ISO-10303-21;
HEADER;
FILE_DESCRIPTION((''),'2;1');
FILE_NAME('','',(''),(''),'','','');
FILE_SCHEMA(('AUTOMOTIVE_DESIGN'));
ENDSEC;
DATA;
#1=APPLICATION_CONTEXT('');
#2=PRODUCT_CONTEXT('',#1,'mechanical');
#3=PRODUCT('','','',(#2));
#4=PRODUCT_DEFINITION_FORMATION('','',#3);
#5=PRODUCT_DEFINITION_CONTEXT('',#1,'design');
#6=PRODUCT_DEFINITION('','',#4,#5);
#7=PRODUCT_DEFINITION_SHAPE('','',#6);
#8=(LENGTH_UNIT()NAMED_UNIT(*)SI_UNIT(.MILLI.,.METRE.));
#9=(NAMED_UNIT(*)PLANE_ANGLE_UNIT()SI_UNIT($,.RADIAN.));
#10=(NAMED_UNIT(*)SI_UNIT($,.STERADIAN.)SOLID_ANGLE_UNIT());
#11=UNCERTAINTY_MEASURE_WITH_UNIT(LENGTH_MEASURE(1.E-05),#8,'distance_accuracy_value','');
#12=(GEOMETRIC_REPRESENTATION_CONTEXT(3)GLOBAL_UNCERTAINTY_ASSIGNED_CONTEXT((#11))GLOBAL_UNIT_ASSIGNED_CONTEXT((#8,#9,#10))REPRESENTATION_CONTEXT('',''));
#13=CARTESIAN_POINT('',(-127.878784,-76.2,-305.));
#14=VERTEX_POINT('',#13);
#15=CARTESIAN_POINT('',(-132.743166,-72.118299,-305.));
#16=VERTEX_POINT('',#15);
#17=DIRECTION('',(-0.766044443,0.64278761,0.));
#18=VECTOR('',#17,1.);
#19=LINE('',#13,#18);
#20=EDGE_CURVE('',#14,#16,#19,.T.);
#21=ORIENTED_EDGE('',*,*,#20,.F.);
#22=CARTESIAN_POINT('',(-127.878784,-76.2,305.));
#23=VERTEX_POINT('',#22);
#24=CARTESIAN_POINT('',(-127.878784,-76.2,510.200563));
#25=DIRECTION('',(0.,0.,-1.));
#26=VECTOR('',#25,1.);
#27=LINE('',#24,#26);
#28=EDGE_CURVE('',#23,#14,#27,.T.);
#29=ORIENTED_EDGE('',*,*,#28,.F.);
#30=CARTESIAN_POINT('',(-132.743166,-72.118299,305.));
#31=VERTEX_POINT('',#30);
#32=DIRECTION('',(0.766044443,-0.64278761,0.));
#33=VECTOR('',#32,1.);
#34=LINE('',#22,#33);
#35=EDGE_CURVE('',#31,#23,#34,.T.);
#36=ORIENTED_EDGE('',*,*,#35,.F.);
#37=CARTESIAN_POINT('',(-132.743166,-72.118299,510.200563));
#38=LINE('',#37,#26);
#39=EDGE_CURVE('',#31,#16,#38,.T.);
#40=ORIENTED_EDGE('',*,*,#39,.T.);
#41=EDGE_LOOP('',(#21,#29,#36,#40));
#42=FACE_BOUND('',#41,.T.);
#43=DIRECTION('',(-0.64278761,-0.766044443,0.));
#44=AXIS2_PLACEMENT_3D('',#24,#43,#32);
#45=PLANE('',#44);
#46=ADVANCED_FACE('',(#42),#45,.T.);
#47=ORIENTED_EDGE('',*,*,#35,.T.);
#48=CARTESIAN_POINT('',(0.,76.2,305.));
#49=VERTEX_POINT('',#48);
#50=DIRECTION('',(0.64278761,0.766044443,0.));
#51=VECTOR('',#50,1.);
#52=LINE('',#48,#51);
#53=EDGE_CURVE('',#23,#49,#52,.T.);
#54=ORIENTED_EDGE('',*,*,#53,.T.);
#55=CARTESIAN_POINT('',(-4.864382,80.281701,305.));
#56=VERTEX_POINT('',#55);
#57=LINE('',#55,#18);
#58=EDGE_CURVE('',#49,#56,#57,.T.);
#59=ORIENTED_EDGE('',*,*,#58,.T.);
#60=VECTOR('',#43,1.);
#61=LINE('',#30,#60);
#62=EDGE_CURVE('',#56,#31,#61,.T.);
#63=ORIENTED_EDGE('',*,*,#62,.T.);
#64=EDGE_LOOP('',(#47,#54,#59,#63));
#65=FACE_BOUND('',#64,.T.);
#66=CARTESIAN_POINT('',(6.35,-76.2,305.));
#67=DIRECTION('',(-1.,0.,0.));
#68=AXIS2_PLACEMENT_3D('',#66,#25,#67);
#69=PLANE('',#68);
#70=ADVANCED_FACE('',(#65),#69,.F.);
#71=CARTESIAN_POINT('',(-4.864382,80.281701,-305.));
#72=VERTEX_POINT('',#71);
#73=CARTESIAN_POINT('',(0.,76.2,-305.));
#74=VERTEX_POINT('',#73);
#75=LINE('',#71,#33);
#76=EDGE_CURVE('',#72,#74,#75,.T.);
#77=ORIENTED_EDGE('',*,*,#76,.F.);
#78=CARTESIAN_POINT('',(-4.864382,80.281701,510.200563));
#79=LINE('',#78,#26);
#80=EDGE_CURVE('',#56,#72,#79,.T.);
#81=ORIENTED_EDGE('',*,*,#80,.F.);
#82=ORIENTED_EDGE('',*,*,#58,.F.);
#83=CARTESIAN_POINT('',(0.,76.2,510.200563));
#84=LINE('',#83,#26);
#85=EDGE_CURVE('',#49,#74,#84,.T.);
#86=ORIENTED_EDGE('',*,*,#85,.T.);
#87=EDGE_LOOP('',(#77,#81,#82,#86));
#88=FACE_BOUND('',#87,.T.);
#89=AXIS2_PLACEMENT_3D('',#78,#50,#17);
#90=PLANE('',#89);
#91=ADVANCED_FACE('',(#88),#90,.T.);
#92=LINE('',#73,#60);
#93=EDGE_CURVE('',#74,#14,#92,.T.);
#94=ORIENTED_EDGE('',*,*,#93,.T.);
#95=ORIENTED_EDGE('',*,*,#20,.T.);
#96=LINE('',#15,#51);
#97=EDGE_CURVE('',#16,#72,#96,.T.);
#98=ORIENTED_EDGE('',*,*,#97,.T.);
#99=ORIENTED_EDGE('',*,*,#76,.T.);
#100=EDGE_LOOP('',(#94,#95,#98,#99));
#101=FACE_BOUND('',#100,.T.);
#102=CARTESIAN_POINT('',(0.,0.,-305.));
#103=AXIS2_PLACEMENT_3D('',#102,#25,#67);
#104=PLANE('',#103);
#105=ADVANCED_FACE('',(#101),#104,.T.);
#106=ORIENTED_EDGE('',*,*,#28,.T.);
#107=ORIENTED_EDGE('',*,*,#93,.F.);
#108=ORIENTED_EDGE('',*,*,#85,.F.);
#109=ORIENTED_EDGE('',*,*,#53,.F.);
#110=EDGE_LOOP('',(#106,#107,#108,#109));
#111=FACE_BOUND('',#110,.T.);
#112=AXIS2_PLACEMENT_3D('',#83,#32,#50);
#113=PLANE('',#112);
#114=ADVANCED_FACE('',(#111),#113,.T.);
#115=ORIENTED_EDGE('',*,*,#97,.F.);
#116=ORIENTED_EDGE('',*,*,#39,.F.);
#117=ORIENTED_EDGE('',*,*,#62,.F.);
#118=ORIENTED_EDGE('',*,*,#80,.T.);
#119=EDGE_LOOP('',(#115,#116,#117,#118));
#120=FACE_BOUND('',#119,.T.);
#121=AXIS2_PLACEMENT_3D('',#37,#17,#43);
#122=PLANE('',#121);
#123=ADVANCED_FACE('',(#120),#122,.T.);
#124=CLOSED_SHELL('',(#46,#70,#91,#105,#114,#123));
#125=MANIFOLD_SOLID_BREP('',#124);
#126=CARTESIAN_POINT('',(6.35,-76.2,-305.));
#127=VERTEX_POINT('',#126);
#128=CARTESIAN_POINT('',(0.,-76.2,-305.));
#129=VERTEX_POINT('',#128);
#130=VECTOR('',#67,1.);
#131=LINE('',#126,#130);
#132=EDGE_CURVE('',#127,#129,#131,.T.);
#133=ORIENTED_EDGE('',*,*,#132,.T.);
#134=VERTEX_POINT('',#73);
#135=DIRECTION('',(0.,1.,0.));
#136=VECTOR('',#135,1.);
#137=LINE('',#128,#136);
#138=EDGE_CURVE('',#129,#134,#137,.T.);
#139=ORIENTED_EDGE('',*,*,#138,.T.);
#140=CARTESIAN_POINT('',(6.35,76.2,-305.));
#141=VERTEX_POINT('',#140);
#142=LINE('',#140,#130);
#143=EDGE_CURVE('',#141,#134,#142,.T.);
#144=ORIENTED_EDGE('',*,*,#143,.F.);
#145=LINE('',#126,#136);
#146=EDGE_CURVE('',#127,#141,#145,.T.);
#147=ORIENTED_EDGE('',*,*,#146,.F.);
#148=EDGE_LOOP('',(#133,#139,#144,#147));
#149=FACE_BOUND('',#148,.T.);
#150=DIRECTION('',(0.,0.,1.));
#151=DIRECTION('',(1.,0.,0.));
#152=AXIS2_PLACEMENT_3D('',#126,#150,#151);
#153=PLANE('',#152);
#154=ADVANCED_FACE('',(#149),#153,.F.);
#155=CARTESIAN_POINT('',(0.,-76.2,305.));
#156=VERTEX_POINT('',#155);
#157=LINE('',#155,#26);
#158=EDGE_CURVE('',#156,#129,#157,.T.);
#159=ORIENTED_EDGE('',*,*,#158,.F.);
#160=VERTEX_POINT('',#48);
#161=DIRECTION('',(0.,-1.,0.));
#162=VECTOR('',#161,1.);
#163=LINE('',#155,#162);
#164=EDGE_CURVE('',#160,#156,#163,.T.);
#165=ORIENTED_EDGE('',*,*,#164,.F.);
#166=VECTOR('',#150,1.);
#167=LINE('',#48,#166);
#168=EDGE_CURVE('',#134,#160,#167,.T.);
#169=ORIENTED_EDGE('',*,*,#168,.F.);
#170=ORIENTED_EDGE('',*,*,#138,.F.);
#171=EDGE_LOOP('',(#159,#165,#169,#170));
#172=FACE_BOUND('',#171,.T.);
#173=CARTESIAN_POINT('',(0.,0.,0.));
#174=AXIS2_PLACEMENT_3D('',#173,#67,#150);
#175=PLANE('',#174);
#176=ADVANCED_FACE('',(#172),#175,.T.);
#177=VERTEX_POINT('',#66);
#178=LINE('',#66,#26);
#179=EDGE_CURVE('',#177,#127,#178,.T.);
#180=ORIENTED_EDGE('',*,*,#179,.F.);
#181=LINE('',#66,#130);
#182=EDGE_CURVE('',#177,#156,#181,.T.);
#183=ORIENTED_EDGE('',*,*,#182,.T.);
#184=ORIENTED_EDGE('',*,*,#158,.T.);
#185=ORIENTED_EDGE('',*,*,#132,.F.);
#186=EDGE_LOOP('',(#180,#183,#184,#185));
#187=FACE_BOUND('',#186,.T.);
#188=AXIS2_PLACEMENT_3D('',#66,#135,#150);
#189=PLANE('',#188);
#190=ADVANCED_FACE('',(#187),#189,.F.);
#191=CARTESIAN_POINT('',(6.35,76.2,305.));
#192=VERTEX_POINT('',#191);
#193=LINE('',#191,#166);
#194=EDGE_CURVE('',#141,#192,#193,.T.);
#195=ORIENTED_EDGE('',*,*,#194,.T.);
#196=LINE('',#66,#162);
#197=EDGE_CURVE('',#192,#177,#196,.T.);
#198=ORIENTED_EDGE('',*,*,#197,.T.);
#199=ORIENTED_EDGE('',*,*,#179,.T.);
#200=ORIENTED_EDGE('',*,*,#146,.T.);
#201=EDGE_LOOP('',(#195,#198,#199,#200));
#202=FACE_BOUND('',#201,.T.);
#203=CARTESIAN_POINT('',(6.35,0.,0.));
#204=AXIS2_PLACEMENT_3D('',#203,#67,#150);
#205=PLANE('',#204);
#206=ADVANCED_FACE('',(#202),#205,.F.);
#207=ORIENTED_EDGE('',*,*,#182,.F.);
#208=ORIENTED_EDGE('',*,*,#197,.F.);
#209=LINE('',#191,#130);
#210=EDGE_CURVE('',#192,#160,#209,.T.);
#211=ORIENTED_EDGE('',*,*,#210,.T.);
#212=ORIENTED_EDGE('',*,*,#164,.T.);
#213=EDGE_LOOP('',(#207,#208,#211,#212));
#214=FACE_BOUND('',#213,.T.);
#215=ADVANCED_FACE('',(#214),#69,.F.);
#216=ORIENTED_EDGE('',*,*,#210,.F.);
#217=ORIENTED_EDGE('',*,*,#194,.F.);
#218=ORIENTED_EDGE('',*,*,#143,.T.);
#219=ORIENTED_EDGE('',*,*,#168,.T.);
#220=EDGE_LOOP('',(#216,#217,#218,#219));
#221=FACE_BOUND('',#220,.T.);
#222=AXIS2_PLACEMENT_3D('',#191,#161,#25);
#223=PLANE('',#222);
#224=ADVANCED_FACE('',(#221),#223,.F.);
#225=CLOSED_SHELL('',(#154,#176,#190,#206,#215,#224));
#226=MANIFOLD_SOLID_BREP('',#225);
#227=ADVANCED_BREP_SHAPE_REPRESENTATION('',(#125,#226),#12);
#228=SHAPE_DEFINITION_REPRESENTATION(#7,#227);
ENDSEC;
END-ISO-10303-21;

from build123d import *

# Parameters (mm, degrees)
SKETCH1_W           = 610
SKETCH1_H           = 152.4
BOSS_EXTRUDE1_DEPTH = 6.35
BOSS_EXTRUDE2_DEPTH = 610


with BuildPart() as part:
    # Sketch1 → Boss-Extrude1 (new body)
    with BuildSketch(Plane(origin=(0, 0, 0), x_dir=(0, 0, -1), z_dir=(1, 0, 0))):
        Rectangle(SKETCH1_W, SKETCH1_H)
    extrude(amount=BOSS_EXTRUDE1_DEPTH)


with BuildPart() as body_2:
    # Sketch2 → Boss-Extrude2 (new body)
    with BuildSketch(Plane(origin=(0, 0, -305), x_dir=(-1, 0, 0), z_dir=(0, 0, -1))):
        Polygon((0, 76.2), (127.878783791, -76.2), (132.743166005, -72.118298678), (4.864382214, 80.281701322), align=None)
    extrude(amount=-BOSS_EXTRUDE2_DEPTH)


solid = Compound([part.part, body_2.part])
